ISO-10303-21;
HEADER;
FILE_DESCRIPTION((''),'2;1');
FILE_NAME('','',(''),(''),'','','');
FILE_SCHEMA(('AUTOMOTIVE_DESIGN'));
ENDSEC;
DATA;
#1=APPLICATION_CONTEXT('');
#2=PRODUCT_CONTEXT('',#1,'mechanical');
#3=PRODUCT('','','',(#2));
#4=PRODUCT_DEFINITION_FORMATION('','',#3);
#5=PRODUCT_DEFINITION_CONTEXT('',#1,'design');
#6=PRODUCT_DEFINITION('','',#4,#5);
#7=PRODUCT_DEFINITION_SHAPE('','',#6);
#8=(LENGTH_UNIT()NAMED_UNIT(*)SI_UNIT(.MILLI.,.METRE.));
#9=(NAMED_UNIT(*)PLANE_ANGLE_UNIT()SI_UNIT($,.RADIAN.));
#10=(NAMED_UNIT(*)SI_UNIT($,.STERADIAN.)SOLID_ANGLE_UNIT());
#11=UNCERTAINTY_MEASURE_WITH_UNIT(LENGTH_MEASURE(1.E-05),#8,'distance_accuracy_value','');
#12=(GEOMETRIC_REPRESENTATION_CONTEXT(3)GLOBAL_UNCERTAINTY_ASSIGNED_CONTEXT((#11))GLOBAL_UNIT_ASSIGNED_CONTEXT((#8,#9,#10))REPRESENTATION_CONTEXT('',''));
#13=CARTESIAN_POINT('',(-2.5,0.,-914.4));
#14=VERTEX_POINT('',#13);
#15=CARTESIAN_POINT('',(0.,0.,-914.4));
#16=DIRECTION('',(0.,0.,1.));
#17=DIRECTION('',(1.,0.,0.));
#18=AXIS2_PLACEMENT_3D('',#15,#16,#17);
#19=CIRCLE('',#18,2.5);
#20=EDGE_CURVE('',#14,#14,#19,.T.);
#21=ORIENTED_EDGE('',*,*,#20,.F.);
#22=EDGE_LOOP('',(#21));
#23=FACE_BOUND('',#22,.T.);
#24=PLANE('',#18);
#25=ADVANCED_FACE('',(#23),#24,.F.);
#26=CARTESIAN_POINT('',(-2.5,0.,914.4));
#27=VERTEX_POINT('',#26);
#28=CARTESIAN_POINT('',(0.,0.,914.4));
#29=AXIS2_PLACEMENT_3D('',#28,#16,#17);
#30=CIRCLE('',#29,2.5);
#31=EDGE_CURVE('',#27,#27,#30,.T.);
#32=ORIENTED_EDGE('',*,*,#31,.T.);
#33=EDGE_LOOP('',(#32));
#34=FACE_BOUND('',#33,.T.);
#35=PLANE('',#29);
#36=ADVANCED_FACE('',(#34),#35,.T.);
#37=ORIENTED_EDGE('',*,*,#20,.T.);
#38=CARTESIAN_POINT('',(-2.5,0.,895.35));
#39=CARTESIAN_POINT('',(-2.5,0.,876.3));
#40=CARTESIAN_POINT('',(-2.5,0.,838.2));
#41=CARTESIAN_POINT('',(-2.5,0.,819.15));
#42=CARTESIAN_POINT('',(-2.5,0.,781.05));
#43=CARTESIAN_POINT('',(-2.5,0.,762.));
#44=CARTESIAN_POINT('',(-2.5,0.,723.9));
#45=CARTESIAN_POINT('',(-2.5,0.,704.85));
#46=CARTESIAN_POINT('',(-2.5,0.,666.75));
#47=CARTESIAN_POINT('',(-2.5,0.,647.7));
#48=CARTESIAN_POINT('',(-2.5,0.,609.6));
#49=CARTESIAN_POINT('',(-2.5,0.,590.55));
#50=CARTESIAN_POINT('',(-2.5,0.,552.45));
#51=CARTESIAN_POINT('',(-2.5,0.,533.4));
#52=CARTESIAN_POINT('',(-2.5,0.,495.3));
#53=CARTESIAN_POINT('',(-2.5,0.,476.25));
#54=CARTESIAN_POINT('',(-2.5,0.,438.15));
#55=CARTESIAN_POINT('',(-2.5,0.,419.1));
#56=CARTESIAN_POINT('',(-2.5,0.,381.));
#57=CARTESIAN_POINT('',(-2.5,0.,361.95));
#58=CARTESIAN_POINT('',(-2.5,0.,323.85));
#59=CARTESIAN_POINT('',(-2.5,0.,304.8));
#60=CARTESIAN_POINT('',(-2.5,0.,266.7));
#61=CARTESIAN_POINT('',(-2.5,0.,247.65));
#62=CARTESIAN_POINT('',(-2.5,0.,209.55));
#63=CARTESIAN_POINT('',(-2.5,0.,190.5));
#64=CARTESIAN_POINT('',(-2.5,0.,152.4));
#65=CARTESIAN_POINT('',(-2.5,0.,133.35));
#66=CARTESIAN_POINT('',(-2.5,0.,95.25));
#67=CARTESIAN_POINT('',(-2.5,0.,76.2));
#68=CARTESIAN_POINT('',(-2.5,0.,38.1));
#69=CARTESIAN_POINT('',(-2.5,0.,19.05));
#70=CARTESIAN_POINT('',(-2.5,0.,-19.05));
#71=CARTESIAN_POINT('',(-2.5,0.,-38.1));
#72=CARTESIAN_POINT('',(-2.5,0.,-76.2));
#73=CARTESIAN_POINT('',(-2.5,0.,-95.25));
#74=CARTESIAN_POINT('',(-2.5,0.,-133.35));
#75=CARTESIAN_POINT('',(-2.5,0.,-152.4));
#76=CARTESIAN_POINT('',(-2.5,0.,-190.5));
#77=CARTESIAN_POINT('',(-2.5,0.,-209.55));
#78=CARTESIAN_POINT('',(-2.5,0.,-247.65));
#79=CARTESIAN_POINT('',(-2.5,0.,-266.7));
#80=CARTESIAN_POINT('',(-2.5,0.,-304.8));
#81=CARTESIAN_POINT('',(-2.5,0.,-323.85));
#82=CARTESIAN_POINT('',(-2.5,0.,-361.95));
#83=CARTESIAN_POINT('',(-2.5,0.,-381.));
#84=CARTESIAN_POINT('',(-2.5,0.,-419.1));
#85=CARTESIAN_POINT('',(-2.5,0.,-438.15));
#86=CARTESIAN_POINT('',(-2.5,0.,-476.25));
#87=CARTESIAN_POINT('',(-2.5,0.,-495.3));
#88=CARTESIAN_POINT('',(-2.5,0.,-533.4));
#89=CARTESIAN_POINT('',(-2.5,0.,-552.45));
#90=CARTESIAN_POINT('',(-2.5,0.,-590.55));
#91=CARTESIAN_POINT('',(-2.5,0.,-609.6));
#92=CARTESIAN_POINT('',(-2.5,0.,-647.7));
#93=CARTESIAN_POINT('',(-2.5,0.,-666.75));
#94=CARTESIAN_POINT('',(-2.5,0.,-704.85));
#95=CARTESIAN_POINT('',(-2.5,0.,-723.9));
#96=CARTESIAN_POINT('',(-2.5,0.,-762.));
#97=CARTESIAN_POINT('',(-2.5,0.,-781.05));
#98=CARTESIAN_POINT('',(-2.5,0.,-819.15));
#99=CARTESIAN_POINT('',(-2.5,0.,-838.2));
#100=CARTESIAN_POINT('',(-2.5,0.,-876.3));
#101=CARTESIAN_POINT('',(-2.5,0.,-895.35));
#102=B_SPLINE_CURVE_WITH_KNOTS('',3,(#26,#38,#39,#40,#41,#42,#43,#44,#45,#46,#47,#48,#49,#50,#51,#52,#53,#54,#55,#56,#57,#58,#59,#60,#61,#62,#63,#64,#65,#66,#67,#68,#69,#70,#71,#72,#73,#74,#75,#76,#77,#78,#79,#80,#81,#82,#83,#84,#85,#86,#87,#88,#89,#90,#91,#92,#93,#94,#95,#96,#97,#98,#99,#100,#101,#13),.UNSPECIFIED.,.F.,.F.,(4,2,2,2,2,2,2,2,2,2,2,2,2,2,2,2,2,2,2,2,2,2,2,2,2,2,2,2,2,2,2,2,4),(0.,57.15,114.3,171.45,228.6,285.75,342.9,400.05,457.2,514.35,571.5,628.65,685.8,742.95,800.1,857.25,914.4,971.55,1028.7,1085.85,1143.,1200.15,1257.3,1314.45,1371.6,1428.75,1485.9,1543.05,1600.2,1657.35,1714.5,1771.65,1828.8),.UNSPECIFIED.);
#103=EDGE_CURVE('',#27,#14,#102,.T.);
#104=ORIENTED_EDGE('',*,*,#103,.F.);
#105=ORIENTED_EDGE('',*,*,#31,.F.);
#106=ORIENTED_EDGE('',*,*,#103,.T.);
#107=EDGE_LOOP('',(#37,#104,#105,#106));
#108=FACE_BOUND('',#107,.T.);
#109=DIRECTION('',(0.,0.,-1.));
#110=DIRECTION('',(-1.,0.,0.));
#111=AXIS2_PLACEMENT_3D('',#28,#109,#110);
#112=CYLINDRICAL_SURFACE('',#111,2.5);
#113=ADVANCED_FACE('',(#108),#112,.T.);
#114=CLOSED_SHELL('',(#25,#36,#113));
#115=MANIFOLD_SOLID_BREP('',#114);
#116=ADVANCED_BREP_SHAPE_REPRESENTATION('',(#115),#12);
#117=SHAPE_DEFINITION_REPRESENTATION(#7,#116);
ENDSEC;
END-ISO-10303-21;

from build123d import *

# Parameters (mm, degrees)
BOSS_EXTRUDE1_DEPTH      = 914.4
BOSS_EXTRUDE1_DEPTH_BACK = 914.4
SKETCH3_R                = 2.5


with BuildPart() as part:
    # Sketch3 → Boss-Extrude1 (new, two sides: drawn at the far end of the back side and taken through both)
    with BuildSketch(Plane.XY.offset(-BOSS_EXTRUDE1_DEPTH_BACK)):
        with Locations(Location((0, 0, 0), (0, 0, 180))):
            Circle(SKETCH3_R)
    extrude(amount=BOSS_EXTRUDE1_DEPTH + BOSS_EXTRUDE1_DEPTH_BACK)


solid = part.part
